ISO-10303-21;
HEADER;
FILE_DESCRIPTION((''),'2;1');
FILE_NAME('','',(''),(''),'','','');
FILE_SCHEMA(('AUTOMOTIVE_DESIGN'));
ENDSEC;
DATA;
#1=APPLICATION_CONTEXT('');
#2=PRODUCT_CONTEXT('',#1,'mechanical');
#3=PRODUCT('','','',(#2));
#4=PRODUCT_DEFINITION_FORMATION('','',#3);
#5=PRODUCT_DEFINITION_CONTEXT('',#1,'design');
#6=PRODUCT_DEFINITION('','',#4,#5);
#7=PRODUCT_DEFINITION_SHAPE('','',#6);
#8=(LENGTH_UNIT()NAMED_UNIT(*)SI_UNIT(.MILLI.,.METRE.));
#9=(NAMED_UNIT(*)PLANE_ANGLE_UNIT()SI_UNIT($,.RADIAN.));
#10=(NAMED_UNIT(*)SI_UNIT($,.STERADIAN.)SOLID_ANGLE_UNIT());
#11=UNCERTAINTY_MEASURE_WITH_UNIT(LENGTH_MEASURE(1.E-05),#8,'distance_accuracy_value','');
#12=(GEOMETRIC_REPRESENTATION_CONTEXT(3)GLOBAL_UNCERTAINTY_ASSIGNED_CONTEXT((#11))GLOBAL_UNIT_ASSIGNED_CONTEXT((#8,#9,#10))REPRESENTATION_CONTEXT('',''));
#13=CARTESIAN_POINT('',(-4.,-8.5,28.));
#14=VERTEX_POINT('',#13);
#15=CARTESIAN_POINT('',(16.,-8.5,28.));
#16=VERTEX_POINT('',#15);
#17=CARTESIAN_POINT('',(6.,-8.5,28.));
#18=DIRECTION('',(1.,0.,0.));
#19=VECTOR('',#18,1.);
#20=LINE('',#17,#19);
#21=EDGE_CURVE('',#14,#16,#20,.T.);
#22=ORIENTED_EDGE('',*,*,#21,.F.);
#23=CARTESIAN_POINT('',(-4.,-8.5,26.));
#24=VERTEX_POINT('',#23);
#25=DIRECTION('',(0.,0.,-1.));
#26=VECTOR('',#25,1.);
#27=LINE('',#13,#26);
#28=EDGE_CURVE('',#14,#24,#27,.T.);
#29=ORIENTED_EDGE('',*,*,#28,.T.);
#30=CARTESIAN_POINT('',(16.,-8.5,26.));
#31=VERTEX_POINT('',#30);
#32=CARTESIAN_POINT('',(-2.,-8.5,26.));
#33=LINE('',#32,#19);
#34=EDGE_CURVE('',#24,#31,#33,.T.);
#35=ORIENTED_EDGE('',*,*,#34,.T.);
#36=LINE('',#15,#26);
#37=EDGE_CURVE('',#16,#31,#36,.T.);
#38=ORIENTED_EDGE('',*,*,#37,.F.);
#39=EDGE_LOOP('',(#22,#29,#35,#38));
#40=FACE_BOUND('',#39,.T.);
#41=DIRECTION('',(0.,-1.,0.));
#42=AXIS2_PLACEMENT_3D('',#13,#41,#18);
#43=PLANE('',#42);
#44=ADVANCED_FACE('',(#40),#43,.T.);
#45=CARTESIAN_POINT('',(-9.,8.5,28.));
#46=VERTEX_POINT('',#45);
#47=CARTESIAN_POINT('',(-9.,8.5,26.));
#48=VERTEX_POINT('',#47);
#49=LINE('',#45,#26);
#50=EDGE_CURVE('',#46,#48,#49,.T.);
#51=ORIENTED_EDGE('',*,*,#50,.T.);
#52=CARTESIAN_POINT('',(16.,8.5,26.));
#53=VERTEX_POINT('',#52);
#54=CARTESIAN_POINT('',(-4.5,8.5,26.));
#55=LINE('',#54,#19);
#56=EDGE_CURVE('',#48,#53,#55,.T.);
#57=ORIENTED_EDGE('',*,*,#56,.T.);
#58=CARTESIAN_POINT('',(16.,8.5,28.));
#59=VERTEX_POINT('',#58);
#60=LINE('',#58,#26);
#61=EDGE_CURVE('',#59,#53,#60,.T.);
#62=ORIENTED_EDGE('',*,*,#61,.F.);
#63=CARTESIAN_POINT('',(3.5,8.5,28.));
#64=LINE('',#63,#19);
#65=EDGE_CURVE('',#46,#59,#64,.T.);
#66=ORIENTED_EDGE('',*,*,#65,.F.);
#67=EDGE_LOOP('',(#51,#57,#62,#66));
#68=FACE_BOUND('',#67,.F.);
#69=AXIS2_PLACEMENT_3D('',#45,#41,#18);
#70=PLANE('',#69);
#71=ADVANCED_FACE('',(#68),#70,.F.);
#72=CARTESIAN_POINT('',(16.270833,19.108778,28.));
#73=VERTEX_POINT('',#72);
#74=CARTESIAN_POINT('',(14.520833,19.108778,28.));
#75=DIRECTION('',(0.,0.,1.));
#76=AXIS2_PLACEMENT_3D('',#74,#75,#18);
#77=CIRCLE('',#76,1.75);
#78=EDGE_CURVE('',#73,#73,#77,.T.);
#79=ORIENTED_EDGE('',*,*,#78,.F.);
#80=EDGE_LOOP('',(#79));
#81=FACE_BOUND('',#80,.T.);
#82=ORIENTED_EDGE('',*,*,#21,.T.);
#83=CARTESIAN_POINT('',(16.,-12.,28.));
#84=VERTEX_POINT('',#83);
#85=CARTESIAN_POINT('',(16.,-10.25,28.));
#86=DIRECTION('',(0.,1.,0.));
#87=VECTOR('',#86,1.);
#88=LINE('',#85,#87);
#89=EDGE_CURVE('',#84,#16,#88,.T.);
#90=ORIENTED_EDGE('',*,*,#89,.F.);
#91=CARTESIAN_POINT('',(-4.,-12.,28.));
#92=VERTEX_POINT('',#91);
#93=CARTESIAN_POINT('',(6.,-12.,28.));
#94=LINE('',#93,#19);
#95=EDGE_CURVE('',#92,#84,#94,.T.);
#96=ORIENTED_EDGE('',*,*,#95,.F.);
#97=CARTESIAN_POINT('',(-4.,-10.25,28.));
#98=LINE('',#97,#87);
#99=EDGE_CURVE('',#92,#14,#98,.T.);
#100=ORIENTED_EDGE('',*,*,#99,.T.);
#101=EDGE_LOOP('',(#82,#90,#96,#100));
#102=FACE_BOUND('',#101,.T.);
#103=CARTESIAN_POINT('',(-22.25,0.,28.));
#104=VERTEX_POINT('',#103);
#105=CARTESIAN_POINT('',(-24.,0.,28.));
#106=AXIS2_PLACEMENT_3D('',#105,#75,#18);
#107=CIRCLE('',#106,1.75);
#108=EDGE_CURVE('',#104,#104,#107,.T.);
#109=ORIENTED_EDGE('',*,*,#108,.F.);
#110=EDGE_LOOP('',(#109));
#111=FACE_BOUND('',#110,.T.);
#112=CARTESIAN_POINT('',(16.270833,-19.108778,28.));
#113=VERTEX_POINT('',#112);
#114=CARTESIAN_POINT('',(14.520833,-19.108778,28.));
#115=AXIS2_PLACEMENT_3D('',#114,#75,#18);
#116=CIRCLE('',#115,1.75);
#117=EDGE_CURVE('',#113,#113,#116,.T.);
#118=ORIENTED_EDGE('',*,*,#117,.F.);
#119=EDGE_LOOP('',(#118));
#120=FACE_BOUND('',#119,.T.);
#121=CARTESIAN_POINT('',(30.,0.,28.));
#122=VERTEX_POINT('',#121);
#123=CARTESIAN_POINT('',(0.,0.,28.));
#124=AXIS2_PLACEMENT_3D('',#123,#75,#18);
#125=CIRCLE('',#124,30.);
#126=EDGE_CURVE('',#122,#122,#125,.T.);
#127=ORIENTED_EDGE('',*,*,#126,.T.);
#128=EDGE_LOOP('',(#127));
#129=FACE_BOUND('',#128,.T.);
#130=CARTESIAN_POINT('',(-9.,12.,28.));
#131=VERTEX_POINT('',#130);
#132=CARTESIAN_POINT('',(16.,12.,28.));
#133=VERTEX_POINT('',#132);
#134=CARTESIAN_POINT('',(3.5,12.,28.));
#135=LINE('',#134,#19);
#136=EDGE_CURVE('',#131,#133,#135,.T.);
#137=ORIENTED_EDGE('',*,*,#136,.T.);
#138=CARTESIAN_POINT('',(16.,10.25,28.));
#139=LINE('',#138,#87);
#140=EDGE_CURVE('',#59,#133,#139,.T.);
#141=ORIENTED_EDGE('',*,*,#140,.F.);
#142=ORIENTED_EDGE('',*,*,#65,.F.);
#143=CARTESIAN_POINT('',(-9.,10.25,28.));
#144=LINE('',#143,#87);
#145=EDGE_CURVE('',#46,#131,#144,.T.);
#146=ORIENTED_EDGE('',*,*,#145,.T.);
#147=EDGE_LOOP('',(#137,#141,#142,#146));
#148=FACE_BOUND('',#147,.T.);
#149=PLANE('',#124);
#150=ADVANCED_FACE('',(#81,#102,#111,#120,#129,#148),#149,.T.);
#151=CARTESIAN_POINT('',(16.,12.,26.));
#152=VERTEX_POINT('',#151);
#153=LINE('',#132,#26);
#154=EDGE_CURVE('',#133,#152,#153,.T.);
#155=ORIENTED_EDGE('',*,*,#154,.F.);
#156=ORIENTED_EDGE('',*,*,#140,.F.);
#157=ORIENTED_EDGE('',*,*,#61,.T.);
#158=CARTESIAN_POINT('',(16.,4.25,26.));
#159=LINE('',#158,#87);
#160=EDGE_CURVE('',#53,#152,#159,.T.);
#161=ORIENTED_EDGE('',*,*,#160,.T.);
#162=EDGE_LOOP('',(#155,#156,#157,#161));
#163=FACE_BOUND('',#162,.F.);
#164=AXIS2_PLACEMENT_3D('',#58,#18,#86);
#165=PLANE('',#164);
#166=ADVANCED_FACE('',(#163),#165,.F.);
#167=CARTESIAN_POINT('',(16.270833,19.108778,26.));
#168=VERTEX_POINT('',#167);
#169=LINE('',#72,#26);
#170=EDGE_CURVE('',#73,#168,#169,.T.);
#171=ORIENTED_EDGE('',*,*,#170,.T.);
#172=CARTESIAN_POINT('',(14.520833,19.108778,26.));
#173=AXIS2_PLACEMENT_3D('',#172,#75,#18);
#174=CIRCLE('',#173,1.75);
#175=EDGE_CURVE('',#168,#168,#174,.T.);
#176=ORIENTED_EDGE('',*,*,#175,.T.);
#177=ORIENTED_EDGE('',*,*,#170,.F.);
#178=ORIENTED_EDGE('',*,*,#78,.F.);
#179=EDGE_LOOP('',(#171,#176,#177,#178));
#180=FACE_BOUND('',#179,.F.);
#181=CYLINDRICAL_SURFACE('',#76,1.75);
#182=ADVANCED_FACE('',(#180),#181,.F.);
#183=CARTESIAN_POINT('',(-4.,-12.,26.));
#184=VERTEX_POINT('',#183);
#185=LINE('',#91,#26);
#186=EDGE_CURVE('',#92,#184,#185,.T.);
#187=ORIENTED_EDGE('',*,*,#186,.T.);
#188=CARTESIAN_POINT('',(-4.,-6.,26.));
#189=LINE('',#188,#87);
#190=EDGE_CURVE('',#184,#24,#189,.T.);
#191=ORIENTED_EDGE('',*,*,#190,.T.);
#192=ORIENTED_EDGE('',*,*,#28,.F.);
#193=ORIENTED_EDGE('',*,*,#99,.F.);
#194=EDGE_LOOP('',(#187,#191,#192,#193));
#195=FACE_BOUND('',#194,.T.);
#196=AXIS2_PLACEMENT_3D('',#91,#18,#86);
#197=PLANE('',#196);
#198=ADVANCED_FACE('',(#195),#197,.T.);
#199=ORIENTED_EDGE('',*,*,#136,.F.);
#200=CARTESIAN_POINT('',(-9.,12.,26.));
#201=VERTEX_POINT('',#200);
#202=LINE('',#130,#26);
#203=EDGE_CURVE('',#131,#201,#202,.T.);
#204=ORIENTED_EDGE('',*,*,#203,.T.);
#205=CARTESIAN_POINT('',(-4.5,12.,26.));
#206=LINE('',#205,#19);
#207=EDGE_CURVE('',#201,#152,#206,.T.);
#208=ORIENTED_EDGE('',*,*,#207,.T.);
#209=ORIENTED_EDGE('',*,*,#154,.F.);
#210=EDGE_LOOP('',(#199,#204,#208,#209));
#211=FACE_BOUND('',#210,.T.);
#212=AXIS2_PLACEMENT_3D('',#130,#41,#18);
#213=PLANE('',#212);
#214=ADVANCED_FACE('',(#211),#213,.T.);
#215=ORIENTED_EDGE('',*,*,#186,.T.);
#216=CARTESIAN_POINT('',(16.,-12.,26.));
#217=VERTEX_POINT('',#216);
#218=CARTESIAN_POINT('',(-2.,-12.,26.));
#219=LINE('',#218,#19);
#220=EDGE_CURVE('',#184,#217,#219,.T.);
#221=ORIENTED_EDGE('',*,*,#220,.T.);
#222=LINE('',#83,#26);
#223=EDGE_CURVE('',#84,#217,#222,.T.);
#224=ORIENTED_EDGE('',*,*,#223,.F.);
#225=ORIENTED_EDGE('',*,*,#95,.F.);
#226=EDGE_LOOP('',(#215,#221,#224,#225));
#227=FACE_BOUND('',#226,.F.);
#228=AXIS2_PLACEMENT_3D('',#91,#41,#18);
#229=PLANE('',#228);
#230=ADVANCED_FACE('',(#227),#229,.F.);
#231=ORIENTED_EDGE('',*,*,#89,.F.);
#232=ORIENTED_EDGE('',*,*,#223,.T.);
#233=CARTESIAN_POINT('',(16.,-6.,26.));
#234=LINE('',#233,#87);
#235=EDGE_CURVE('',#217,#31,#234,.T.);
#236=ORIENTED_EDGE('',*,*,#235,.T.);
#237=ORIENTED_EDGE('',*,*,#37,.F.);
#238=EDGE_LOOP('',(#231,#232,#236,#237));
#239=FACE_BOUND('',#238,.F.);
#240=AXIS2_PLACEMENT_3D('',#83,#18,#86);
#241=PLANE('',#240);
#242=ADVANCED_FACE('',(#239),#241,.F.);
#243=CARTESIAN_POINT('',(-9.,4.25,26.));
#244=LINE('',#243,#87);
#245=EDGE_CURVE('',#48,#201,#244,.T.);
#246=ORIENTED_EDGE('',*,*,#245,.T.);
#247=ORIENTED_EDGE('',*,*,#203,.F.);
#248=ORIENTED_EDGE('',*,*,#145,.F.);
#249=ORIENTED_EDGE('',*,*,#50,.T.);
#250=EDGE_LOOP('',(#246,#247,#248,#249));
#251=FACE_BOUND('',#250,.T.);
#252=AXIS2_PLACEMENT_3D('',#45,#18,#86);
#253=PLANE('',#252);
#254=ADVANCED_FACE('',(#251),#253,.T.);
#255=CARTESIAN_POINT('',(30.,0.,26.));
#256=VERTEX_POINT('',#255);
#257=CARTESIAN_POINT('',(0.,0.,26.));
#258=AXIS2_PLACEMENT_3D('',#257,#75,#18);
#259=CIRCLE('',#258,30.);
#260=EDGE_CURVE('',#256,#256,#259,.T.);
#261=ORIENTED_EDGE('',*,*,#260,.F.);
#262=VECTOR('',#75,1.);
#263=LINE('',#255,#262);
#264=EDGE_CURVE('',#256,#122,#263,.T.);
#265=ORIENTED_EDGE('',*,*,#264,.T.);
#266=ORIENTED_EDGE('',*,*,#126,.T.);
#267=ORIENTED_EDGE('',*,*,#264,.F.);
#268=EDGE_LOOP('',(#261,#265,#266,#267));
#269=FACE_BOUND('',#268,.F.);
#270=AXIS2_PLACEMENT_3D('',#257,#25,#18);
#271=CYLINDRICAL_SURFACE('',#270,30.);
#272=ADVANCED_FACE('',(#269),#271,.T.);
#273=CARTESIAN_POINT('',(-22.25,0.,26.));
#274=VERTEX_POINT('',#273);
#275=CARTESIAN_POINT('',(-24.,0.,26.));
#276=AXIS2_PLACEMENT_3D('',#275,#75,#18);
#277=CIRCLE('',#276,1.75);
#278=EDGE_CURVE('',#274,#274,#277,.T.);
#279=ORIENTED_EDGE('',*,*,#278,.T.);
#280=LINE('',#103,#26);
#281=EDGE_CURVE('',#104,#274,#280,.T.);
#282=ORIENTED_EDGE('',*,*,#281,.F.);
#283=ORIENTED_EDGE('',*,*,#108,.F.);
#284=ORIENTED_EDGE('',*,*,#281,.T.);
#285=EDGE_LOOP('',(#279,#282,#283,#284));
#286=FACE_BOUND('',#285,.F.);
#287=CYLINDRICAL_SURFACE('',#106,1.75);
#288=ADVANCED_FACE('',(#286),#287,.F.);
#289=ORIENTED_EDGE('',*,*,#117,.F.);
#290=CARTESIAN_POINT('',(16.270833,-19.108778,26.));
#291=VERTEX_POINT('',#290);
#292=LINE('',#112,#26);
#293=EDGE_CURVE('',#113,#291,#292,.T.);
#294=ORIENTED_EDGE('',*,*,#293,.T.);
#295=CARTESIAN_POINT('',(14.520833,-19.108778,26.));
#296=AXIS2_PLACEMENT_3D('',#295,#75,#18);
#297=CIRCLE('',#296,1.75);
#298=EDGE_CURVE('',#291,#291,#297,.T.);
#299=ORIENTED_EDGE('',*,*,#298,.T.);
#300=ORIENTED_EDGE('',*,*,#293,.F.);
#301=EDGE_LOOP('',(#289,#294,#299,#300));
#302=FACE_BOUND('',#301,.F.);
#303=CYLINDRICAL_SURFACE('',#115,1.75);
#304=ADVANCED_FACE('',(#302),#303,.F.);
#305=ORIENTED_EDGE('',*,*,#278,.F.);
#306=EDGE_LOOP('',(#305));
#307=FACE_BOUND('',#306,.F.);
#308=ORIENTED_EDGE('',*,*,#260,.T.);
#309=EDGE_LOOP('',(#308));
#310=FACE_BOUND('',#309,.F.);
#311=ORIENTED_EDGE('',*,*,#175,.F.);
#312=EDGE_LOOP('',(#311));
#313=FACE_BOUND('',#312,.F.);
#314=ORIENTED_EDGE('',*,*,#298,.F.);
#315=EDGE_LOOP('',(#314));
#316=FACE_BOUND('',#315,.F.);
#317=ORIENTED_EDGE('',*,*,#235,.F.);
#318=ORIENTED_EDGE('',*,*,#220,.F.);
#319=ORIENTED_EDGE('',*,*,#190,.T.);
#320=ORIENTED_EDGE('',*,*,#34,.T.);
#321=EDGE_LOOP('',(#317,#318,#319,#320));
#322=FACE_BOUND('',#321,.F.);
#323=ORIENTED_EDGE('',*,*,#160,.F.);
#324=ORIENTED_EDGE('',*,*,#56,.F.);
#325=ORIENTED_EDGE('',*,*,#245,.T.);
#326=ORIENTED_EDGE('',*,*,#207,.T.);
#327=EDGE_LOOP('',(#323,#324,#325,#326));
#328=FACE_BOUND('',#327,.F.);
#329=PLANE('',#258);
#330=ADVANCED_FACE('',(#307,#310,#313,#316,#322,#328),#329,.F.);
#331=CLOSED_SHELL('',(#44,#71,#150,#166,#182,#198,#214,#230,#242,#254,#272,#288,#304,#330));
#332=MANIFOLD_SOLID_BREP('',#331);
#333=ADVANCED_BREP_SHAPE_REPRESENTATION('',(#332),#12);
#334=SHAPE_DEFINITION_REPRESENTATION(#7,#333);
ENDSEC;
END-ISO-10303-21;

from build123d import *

# Parameters (mm, degrees)
SKETCH003_R     = 30
PAD001_DEPTH    = 2
SKETCH012_R     = 1.75
POCKET005_DEPTH = 5
SKETCH024_W     = 25
SKETCH024_H     = 3.5
SKETCH024_W_2   = 20
POCKET016_DEPTH = 5


with BuildPart() as part:
    # Sketch003 → Pad001 (new body)
    with BuildSketch(Plane.XY):
        Circle(SKETCH003_R)
    extrude(amount=PAD001_DEPTH)

    # Sketch012 (on Face3 of Pad001) → Pocket005 (cut)
    with BuildSketch(Plane.XY.offset(2)):
        with Locations((14.520833, 19.108778)):
            Circle(SKETCH012_R)
        with Locations((-24, 0)):
            Circle(SKETCH012_R)
        with Locations((14.520833, -19.108778)):
            Circle(SKETCH012_R)
    extrude(amount=-POCKET005_DEPTH, mode=Mode.SUBTRACT)

    # Sketch024 (on Face3 of Pocket005) → Pocket016 (cut)
    with BuildSketch(Plane.XY.offset(2)):
        with Locations((3.5, 10.25)):
            Rectangle(SKETCH024_W, SKETCH024_H)
        with Locations((6, -10.25)):
            Rectangle(SKETCH024_W_2, SKETCH024_H)
    extrude(amount=-POCKET016_DEPTH, mode=Mode.SUBTRACT)


with BuildPart() as part_1:
    # Body001 placement: moved
    add(part.part.moved(Location((0, 0, 26))))


solid = part_1.part
